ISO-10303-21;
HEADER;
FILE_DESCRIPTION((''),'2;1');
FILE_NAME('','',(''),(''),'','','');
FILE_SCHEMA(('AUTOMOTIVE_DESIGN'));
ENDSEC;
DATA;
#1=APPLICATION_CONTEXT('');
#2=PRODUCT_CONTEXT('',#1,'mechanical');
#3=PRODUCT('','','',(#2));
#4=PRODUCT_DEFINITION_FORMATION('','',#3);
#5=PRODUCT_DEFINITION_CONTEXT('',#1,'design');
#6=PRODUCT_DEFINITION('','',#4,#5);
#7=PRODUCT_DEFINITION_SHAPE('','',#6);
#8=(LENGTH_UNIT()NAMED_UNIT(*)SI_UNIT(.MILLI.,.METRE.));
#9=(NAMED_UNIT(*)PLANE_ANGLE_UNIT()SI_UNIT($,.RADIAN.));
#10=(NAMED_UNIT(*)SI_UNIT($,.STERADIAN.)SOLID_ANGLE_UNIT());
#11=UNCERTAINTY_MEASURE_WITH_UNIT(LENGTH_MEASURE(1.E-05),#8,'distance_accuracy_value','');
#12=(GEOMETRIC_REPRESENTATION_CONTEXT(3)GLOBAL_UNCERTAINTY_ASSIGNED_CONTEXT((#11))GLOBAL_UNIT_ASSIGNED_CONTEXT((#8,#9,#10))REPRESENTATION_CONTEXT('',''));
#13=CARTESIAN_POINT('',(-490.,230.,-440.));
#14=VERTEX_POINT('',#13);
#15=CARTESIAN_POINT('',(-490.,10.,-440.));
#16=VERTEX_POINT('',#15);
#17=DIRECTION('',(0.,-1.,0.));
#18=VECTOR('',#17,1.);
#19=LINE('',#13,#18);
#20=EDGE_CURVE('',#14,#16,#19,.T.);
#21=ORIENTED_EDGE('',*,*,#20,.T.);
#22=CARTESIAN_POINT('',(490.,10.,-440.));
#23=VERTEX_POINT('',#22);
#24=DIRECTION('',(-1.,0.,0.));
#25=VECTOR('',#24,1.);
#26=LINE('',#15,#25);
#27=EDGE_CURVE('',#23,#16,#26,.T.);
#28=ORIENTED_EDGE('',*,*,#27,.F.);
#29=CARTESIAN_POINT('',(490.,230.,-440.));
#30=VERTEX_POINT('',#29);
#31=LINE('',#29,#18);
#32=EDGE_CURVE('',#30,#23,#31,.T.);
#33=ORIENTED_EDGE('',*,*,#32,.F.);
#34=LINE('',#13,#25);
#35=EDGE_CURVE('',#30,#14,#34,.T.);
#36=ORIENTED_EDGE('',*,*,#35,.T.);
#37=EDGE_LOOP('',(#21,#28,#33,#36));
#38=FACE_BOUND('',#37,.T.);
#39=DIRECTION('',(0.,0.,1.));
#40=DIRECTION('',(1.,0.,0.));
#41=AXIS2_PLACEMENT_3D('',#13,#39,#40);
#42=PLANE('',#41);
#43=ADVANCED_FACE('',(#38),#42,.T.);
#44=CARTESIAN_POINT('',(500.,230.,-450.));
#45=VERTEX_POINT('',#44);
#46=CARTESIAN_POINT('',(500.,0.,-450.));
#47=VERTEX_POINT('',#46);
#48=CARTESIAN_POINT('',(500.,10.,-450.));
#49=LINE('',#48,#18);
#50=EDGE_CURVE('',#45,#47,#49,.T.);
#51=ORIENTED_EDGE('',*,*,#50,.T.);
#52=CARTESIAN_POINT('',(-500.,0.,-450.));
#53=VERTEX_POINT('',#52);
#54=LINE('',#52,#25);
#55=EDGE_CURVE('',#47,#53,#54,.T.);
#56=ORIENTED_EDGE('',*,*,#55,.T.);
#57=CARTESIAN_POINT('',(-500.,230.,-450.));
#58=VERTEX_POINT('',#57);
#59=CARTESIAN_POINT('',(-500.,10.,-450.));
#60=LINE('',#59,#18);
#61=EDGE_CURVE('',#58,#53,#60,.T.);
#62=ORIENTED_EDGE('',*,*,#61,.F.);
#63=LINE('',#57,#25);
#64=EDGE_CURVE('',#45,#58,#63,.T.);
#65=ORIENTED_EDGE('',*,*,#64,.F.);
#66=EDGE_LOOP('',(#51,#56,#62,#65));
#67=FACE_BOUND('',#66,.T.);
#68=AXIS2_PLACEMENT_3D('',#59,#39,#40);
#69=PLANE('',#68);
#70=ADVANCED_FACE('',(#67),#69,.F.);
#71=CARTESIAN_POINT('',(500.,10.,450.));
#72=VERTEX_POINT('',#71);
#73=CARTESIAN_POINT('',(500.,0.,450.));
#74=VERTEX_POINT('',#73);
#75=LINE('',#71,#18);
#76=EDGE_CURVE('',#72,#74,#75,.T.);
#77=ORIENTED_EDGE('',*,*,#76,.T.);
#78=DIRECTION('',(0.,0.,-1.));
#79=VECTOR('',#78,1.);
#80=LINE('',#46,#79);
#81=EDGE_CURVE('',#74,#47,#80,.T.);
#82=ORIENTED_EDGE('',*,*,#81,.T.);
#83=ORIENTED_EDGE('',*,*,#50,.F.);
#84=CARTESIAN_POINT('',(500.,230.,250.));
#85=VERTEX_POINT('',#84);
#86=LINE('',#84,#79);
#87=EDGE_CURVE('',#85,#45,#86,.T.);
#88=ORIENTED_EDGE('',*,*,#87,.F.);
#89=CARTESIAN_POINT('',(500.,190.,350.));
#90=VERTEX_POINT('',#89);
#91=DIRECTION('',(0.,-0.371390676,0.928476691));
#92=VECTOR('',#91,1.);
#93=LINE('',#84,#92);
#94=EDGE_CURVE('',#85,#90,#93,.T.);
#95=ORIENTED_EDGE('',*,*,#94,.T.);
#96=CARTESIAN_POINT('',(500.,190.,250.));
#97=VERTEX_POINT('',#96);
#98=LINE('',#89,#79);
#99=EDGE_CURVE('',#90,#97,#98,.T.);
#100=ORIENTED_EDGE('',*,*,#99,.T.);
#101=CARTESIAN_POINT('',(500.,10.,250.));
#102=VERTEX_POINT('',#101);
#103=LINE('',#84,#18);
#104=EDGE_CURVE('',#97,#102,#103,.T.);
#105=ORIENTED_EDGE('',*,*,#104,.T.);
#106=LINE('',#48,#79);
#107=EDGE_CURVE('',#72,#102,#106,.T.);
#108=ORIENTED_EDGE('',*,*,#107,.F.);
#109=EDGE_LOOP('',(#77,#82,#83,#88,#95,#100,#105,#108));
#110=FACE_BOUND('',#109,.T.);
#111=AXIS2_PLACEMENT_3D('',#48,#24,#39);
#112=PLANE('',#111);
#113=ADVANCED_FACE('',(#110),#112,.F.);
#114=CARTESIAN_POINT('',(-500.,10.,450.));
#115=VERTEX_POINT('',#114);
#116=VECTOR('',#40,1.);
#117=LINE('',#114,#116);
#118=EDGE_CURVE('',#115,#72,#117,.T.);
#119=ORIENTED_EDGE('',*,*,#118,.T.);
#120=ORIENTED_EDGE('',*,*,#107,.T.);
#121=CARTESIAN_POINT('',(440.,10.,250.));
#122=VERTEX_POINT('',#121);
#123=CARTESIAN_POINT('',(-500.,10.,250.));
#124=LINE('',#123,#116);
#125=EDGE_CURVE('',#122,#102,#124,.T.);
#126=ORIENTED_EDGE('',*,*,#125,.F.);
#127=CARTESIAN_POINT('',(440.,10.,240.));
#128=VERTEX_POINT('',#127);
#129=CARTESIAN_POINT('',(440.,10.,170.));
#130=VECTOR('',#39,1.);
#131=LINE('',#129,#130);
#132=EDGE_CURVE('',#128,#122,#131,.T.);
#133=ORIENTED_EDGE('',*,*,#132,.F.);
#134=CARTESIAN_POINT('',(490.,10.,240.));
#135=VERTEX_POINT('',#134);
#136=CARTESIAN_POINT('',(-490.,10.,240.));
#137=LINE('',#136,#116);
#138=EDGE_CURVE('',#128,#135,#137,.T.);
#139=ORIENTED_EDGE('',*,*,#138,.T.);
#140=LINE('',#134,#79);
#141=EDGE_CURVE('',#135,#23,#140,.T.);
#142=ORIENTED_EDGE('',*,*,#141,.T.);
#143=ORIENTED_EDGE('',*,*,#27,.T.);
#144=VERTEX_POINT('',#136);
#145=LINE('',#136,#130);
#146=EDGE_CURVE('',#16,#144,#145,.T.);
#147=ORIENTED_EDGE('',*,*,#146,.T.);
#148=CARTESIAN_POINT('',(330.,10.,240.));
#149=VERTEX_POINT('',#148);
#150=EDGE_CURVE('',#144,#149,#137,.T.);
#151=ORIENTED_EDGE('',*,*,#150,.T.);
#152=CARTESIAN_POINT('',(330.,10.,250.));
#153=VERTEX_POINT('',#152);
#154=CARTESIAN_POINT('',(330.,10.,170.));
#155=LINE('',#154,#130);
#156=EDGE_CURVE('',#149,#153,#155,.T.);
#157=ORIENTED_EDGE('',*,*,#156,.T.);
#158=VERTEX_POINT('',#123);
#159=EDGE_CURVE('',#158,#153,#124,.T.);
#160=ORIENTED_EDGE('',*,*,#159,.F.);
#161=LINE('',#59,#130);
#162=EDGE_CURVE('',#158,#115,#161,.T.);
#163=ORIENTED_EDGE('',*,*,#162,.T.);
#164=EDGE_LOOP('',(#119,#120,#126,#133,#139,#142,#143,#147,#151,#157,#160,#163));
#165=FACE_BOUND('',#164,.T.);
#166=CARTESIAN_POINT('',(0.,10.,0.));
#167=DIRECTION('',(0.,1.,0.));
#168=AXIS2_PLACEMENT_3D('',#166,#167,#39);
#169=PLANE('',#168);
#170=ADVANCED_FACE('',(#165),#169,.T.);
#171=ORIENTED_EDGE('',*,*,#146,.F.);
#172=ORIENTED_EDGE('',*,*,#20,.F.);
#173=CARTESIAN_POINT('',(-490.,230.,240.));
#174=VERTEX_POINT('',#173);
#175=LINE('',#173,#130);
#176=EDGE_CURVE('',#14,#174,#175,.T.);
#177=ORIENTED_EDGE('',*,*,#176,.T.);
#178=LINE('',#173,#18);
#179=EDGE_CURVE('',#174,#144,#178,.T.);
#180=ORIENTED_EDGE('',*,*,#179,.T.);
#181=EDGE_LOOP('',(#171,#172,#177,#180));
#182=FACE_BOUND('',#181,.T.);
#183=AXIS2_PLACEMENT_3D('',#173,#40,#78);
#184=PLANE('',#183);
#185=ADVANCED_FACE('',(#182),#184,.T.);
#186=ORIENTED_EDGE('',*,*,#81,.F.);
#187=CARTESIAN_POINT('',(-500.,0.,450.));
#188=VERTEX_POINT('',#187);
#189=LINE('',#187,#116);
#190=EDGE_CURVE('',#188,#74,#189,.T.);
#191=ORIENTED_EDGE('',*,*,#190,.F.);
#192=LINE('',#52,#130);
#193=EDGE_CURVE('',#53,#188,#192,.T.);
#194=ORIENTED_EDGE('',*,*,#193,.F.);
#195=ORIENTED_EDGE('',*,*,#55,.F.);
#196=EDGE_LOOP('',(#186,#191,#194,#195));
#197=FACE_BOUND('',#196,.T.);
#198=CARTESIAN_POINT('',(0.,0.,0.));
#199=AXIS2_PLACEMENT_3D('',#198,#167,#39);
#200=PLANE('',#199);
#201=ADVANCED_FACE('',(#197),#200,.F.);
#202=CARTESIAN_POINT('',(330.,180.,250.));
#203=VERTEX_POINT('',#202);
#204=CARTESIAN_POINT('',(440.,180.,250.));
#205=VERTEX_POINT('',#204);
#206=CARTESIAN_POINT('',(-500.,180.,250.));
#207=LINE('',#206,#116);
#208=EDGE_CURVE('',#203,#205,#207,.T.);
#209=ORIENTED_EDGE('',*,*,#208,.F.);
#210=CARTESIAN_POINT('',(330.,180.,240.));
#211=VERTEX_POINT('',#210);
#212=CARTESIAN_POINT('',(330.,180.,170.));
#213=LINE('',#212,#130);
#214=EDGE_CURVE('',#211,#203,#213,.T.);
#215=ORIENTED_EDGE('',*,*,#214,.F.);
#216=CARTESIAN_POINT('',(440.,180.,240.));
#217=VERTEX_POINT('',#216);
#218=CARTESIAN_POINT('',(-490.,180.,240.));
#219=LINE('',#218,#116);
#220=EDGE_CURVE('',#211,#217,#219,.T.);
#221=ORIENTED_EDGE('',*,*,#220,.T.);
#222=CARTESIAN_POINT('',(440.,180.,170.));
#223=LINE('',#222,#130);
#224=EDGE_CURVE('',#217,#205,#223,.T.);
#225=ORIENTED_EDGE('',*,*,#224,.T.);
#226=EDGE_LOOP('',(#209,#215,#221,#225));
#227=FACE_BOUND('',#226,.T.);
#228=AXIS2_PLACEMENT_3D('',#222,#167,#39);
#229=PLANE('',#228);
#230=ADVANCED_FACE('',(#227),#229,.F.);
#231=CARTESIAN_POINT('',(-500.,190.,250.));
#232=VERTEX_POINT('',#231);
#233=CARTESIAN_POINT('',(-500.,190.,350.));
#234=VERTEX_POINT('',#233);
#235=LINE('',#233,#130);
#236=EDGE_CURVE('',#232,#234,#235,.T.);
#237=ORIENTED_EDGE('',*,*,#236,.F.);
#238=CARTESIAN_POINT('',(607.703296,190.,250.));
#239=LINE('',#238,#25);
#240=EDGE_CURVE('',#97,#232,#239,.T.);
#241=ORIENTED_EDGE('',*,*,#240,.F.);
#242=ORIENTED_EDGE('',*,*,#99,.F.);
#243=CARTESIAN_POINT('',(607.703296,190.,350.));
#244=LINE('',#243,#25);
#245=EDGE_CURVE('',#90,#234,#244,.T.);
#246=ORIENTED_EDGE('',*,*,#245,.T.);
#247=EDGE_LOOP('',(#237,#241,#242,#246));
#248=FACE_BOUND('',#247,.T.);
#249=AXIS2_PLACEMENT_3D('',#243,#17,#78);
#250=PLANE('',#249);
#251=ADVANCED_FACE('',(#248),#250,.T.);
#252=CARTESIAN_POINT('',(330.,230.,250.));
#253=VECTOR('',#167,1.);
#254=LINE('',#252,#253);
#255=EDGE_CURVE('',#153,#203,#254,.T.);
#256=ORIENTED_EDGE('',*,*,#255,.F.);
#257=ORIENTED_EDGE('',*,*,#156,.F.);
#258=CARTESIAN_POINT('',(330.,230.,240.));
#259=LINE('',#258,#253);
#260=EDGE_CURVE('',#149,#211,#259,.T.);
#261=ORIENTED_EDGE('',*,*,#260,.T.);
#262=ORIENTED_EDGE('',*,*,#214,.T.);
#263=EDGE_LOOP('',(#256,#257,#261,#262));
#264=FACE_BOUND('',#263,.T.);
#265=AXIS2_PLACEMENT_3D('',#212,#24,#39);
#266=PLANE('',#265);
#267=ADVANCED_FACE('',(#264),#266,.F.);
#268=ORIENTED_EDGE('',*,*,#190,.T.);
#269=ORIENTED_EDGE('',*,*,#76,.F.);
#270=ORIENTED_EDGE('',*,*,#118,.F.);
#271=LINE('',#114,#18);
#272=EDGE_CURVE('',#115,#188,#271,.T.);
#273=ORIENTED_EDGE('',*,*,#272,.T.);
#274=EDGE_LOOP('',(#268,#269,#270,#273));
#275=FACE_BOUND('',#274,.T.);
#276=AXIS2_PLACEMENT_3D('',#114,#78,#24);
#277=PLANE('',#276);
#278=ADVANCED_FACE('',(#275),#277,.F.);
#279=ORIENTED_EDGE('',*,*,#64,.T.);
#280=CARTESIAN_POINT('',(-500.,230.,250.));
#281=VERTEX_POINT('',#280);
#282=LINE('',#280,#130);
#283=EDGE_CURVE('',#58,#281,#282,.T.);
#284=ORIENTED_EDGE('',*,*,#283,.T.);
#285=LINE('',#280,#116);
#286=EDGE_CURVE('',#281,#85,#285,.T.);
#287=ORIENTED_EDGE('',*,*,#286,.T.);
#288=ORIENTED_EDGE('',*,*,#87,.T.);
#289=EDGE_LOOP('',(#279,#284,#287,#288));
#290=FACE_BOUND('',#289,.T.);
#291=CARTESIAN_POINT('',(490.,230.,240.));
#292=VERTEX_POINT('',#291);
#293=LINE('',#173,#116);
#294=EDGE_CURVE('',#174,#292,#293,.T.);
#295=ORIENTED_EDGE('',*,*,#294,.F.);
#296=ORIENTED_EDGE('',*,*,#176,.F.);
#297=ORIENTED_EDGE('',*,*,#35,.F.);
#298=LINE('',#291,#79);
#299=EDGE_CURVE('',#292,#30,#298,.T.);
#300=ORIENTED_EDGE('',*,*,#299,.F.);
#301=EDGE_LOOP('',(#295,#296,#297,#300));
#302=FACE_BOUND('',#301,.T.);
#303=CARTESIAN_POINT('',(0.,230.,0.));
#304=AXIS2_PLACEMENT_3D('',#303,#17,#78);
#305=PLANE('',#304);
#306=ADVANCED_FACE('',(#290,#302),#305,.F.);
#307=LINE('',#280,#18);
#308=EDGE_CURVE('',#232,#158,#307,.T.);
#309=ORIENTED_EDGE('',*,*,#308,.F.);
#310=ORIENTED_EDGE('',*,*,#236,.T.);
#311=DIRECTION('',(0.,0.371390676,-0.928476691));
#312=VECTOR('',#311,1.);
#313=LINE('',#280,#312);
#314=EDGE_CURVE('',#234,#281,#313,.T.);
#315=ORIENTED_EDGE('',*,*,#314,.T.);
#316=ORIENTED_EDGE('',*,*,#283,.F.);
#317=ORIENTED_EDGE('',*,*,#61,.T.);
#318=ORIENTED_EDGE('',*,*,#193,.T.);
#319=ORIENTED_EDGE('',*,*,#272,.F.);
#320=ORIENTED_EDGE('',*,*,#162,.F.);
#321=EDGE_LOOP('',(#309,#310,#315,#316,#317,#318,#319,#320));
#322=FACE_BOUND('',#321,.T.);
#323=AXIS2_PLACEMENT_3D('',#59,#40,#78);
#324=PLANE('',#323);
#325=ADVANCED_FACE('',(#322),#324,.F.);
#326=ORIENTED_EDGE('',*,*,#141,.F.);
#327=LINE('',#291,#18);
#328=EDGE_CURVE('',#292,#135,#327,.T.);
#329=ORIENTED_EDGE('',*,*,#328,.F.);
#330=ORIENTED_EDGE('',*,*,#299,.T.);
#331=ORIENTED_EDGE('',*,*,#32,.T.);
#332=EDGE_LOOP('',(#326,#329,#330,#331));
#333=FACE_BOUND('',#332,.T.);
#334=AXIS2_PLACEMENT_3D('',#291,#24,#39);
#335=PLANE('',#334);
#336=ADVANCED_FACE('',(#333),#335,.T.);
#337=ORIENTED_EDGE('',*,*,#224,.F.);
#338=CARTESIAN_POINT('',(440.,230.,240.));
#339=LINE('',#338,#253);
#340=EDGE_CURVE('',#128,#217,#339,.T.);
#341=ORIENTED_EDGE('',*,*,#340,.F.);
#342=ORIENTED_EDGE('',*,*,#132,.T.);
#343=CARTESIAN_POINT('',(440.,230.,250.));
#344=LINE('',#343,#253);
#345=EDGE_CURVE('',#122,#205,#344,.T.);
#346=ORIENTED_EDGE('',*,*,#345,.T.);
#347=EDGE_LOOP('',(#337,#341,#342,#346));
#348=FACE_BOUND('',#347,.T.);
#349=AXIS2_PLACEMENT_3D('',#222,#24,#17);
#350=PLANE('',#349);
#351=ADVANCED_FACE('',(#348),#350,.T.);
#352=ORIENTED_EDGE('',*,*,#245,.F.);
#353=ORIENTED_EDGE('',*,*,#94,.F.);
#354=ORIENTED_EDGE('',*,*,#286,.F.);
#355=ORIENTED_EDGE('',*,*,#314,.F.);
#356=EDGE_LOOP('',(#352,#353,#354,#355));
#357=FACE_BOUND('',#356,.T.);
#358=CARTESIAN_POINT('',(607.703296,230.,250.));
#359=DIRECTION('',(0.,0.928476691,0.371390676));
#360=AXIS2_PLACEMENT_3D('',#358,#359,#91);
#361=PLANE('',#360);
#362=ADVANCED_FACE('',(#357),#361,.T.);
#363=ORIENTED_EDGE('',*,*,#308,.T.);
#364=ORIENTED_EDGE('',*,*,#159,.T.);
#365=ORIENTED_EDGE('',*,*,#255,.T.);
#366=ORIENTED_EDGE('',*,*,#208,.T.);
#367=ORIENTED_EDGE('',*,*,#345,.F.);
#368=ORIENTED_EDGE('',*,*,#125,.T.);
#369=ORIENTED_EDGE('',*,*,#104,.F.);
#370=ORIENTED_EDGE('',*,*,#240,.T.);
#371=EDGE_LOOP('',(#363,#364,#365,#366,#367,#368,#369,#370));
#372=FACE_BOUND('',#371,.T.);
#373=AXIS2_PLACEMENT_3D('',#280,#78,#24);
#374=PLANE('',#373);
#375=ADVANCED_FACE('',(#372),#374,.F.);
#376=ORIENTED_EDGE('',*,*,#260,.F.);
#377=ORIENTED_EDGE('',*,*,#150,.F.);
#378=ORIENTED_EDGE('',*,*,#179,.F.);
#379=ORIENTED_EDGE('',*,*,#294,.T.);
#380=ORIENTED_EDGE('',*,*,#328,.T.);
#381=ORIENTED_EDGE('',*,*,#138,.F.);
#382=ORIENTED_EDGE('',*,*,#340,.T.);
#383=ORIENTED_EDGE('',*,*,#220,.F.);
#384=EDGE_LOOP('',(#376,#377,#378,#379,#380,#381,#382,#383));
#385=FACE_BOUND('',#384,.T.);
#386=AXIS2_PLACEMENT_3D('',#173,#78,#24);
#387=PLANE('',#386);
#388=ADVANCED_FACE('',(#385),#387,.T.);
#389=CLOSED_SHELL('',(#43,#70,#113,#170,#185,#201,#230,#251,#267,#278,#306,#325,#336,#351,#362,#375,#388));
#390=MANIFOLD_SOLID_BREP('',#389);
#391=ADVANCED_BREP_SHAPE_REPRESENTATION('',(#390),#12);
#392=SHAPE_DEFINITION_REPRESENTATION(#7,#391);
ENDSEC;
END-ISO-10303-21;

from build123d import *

# Parameters (mm, degrees)
SKETCH1_W           = 1000
SKETCH1_H           = 900
BOSS_EXTRUDE1_DEPTH = 10
SKETCH2_W           = 1000
SKETCH2_H           = 700
SKETCH2_W_2         = 980
SKETCH2_H_2         = 680
BOSS_EXTRUDE2_DEPTH = 220
SKETCH3_W           = 110
SKETCH3_H           = 170
CUT_EXTRUDE1_DEPTH  = 280
BOSS_EXTRUDE3_DEPTH = 1000


with BuildPart() as part:
    # Sketch1 → Boss-Extrude1 (new body)
    with BuildSketch(Plane(origin=(0, 0, 0), x_dir=(1, 0, 0), z_dir=(0, 1, 0))):
        Rectangle(SKETCH1_W, SKETCH1_H)
    extrude(amount=BOSS_EXTRUDE1_DEPTH)

    # Sketch2 → Boss-Extrude2 (add)
    with BuildSketch(Plane(origin=(0, 10, 0), x_dir=(1, 0, 0), z_dir=(0, 1, 0))):
        with Locations((0, 100)):
            Rectangle(SKETCH2_W, SKETCH2_H)
        with Locations((0, 100)):
            Rectangle(SKETCH2_W_2, SKETCH2_H_2, mode=Mode.SUBTRACT)
    extrude(amount=BOSS_EXTRUDE2_DEPTH)

    # Sketch3 → Cut-Extrude1 (cut)
    with BuildSketch(Plane.XY.offset(450)):
        with Locations((385, 95)):
            Rectangle(SKETCH3_W, SKETCH3_H)
    extrude(amount=-CUT_EXTRUDE1_DEPTH, mode=Mode.SUBTRACT)

    # Sketch5 → Boss-Extrude3 (add)
    with BuildSketch(Plane.ZY.offset(500)):
        Polygon((250, 230), (350, 190), (250, 190), align=None)
    extrude(amount=-BOSS_EXTRUDE3_DEPTH)


solid = part.part
